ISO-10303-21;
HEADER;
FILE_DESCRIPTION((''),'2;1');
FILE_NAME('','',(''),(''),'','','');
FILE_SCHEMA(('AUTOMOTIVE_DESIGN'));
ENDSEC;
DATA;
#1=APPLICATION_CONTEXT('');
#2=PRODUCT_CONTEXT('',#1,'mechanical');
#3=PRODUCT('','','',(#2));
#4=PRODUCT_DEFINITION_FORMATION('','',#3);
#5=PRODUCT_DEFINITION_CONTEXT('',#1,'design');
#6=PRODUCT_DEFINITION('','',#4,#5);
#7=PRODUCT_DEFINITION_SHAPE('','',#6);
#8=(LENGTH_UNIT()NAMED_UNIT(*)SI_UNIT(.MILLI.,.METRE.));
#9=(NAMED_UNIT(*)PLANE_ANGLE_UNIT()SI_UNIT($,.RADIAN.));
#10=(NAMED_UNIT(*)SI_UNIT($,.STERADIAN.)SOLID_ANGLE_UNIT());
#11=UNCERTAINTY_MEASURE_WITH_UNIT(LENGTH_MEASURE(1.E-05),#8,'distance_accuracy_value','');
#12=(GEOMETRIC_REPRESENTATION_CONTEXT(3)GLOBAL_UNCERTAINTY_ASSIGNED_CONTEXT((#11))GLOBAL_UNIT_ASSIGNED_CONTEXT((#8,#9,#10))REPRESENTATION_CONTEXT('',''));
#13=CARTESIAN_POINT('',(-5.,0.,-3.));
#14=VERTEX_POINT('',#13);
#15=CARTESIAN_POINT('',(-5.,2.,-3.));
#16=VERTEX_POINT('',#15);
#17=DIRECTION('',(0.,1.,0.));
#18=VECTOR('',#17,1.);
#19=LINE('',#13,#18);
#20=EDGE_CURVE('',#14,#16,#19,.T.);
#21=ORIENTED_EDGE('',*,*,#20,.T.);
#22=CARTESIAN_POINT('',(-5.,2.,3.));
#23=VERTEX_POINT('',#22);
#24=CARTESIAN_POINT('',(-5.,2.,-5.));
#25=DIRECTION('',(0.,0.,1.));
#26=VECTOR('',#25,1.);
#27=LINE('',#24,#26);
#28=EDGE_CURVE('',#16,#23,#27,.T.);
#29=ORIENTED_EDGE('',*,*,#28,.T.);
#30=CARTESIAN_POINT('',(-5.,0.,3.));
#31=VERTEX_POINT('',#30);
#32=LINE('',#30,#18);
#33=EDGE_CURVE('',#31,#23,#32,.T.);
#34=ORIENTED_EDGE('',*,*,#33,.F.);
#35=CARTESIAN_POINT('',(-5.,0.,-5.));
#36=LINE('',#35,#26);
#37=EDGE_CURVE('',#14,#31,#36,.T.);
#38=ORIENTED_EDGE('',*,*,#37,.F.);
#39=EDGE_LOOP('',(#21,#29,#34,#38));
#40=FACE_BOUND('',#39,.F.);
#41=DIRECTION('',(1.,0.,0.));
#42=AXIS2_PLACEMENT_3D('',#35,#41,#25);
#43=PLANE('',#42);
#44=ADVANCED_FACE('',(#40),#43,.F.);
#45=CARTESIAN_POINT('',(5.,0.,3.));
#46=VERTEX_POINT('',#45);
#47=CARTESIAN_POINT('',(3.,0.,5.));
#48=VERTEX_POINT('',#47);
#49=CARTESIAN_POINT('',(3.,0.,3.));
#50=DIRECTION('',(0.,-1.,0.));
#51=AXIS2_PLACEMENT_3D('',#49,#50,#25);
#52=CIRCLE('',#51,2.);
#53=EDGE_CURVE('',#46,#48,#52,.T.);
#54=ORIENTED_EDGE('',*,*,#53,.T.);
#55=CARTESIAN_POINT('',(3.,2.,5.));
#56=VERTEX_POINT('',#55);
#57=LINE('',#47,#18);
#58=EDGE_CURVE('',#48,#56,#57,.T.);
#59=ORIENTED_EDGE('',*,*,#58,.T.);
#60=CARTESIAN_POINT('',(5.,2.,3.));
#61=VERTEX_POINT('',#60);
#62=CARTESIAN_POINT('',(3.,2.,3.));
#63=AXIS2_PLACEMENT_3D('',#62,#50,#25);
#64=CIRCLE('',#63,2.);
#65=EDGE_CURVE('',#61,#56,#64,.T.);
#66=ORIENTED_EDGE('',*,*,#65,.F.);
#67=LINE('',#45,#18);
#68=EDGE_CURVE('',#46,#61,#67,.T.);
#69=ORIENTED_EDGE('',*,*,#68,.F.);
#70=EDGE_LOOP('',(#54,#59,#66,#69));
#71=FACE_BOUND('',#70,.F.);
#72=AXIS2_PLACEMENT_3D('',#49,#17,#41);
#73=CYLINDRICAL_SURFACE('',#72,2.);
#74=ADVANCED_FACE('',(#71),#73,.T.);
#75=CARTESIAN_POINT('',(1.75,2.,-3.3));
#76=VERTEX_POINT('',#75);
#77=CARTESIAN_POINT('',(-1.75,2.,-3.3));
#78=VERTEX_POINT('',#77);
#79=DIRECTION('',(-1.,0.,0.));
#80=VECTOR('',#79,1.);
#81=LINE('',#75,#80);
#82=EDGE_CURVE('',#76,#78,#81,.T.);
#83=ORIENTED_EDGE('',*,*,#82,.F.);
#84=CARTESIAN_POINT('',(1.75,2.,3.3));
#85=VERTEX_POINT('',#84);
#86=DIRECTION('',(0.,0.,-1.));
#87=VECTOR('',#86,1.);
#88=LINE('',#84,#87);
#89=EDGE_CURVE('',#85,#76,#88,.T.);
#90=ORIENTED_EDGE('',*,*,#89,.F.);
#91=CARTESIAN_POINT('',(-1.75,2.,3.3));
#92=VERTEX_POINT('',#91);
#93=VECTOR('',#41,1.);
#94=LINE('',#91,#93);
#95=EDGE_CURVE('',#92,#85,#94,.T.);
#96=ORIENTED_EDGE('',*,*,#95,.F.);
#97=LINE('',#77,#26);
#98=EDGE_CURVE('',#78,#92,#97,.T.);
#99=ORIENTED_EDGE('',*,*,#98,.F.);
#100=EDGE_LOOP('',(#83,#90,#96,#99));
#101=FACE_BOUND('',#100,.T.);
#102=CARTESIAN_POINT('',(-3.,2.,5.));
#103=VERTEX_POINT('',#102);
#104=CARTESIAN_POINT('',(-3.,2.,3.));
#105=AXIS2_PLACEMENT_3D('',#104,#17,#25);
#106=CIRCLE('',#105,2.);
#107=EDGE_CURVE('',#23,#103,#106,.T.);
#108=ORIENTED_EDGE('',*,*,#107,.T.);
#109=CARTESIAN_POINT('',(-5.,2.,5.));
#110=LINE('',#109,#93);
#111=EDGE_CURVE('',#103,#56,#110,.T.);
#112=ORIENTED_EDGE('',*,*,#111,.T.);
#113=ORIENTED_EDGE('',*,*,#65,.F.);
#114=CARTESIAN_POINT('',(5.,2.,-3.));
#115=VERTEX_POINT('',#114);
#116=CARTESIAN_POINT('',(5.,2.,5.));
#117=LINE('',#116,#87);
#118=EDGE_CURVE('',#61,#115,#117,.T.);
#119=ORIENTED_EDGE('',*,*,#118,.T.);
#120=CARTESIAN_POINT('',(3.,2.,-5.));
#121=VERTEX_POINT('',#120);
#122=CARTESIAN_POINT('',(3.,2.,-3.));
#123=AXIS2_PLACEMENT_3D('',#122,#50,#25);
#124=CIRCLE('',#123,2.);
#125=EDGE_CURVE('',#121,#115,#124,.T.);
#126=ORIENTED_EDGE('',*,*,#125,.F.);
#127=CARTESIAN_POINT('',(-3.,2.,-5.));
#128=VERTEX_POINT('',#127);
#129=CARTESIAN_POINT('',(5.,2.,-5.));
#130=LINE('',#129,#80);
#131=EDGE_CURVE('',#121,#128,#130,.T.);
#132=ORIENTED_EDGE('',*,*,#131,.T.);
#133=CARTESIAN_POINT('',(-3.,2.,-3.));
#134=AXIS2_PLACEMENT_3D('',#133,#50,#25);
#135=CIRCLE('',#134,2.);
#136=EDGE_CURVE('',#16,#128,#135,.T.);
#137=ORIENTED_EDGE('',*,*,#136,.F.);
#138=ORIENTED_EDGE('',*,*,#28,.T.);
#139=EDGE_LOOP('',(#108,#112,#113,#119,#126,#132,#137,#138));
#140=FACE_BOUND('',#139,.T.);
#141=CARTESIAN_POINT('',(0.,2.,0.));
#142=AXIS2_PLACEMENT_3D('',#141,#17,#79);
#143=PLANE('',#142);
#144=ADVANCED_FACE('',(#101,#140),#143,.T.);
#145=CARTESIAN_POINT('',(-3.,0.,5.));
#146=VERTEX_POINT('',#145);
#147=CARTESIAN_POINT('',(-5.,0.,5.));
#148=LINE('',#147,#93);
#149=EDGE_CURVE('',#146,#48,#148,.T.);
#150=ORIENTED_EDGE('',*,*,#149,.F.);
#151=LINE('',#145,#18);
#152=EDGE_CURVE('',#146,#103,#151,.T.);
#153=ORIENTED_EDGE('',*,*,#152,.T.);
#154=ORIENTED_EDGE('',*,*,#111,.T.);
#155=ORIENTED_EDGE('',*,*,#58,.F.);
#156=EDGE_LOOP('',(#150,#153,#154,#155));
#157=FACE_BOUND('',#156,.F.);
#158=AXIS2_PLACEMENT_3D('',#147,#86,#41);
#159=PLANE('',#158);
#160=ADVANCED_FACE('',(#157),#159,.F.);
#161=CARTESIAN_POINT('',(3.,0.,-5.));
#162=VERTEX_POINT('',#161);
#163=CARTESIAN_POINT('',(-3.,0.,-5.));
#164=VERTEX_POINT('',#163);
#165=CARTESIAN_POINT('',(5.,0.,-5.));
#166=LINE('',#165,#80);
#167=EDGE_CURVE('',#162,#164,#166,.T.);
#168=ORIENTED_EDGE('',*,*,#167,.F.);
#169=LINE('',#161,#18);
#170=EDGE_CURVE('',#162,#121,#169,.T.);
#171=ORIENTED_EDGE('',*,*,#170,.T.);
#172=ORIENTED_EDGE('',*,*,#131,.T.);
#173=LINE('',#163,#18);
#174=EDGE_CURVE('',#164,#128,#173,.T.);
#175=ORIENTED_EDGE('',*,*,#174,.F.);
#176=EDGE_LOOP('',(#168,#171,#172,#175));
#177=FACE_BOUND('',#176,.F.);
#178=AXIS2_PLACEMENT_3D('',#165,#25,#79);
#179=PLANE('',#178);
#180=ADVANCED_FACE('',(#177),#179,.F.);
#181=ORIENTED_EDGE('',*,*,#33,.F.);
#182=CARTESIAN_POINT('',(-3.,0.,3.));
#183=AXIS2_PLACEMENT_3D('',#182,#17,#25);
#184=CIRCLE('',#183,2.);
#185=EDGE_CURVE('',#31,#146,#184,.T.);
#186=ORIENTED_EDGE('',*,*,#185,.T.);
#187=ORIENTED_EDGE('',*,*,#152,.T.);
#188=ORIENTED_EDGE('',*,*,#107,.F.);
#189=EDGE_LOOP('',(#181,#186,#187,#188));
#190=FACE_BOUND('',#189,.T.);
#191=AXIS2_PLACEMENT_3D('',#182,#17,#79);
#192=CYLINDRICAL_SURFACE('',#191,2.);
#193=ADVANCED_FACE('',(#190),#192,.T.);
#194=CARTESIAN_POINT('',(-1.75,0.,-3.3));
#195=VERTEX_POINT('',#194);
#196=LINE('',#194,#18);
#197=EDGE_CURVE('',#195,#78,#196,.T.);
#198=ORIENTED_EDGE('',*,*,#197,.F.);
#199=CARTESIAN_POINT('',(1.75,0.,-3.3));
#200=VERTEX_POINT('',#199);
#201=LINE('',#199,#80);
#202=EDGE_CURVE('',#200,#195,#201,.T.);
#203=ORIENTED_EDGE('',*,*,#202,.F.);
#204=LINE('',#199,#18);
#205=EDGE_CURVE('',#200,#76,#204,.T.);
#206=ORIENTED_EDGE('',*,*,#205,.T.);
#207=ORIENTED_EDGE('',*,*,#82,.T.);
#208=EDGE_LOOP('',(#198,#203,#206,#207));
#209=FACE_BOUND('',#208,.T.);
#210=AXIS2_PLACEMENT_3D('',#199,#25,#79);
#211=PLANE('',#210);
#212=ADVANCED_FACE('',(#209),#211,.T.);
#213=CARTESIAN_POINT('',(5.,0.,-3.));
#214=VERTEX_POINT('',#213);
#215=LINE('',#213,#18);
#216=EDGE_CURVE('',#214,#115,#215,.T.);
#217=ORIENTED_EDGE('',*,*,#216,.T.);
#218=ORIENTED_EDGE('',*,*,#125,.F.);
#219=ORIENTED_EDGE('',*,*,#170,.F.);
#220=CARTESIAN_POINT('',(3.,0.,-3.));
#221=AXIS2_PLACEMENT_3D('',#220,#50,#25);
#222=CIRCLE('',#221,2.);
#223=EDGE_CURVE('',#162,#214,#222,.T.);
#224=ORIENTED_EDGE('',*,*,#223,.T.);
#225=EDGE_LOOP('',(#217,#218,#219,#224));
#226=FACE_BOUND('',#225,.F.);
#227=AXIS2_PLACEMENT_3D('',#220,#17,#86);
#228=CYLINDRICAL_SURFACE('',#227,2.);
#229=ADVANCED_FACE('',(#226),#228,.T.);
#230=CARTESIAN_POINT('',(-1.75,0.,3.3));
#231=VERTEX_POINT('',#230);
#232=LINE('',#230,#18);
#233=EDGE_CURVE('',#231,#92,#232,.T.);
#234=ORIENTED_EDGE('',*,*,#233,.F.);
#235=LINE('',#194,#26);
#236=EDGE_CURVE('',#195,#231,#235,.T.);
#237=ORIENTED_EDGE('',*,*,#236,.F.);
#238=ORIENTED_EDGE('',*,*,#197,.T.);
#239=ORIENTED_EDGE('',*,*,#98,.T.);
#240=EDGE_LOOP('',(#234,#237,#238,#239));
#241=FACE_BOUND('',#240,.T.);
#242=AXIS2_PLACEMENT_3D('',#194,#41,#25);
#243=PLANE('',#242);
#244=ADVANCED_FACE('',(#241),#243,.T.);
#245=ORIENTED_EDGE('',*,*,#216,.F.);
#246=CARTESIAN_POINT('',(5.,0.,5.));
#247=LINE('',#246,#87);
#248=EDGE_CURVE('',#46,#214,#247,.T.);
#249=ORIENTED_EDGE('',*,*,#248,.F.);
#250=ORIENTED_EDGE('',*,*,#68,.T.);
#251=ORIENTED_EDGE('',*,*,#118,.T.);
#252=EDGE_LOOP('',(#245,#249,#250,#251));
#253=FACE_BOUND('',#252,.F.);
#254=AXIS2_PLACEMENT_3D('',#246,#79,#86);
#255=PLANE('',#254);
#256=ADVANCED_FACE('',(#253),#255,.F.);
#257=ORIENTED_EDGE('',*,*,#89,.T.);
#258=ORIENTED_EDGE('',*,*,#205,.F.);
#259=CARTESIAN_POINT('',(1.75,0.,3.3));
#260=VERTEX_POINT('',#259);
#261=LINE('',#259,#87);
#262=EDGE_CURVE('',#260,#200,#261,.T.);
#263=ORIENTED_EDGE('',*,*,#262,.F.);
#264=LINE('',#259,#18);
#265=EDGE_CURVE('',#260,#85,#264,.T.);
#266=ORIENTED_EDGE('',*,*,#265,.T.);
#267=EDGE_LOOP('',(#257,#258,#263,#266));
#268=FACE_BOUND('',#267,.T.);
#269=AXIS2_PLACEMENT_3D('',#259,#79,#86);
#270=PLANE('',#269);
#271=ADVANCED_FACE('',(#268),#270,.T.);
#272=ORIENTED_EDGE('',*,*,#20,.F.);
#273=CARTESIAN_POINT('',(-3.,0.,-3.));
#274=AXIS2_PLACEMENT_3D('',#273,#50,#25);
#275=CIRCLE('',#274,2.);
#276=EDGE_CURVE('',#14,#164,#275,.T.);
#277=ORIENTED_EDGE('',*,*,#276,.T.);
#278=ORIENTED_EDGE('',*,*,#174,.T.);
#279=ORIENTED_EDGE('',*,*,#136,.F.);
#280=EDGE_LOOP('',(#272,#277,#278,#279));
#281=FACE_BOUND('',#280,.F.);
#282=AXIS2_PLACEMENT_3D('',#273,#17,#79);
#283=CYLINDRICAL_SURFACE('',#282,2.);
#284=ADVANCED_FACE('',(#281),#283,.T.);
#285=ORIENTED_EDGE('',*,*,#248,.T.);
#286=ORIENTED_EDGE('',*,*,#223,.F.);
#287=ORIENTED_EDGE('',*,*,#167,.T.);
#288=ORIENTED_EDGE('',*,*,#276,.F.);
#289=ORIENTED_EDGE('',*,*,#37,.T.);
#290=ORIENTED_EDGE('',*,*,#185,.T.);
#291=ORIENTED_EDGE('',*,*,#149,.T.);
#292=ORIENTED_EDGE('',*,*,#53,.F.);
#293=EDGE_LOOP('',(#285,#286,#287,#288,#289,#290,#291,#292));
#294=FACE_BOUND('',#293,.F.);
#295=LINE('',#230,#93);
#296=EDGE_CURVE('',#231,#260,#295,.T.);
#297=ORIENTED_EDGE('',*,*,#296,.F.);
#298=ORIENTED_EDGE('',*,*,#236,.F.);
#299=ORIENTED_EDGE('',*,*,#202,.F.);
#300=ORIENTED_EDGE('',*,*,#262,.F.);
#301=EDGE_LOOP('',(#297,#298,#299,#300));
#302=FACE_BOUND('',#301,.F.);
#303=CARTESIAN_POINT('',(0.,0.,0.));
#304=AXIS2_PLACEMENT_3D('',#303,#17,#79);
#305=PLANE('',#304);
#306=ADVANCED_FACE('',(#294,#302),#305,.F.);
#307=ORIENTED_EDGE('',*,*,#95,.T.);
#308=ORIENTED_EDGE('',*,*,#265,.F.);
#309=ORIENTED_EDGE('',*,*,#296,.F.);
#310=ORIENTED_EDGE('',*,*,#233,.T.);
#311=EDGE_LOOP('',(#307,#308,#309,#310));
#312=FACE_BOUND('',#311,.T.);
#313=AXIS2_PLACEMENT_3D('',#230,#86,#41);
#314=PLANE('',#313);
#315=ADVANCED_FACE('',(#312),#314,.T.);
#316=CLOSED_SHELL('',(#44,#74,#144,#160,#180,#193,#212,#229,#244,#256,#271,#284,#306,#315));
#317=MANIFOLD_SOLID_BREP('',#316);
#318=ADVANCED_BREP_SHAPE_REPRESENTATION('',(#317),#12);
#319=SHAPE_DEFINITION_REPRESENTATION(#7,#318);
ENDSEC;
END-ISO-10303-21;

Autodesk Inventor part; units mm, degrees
ref_plane "YZ Plane" through (0, 0, 0) normal (1, 0, 0) x (0, 1, 0)
ref_plane "XZ Plane" through (0, 0, 0) normal (0, 1, 0) x (-1, 0, 0)
ref_plane "XY Plane" through (0, 0, 0) normal (0, 0, 1) x (1, 0, 0)
sketch "Esquisse1" plane through (0, 0, 0) normal (0, 1, 0) x (-1, 0, 0)
  line L0 (5, 5) -> (-5, 5)
  line L1 (-5, 5) -> (-5, -5)
  line L2 (-5, -5) -> (5, -5)
  line L3 (5, -5) -> (5, 5)
  line L4 (5, 5) -> (-5, -5) construction
  line L5 (5, -5) -> (-5, 5) construction
  line L6 (-1.75, -3.3) -> (1.75, -3.3)
  line L7 (1.75, -3.3) -> (1.75, 3.3)
  line L8 (1.75, 3.3) -> (-1.75, 3.3)
  line L9 (-1.75, 3.3) -> (-1.75, -3.3)
  line L10 (-1.75, -3.3) -> (1.75, 3.3) construction
  line L11 (1.75, -3.3) -> (-1.75, 3.3) construction
  point P0 (0, 0)
  point P1 (0, 0)
  point P2 (15, 0)
  point P3 (0, 0)
  point P4 (0, 0)
  dimension "d0" = 10
  dimension "d1" = 10
  dimension "d2" = 6.6
  dimension "d3" = 3.5
  dimension "d4" = 15
  dimension "d5" = 5
  dimension "d6" = 5
extrude "Extrusion1" add sketch "Esquisse1" along normal blind 2
fillet "Congé1" radius 2 4 edges at (5, 1, 5) (-5, 1, 5) (-5, 1, -5) (5, 1, -5)
properties part number "Test_TOF_hole_Impression 3D"
